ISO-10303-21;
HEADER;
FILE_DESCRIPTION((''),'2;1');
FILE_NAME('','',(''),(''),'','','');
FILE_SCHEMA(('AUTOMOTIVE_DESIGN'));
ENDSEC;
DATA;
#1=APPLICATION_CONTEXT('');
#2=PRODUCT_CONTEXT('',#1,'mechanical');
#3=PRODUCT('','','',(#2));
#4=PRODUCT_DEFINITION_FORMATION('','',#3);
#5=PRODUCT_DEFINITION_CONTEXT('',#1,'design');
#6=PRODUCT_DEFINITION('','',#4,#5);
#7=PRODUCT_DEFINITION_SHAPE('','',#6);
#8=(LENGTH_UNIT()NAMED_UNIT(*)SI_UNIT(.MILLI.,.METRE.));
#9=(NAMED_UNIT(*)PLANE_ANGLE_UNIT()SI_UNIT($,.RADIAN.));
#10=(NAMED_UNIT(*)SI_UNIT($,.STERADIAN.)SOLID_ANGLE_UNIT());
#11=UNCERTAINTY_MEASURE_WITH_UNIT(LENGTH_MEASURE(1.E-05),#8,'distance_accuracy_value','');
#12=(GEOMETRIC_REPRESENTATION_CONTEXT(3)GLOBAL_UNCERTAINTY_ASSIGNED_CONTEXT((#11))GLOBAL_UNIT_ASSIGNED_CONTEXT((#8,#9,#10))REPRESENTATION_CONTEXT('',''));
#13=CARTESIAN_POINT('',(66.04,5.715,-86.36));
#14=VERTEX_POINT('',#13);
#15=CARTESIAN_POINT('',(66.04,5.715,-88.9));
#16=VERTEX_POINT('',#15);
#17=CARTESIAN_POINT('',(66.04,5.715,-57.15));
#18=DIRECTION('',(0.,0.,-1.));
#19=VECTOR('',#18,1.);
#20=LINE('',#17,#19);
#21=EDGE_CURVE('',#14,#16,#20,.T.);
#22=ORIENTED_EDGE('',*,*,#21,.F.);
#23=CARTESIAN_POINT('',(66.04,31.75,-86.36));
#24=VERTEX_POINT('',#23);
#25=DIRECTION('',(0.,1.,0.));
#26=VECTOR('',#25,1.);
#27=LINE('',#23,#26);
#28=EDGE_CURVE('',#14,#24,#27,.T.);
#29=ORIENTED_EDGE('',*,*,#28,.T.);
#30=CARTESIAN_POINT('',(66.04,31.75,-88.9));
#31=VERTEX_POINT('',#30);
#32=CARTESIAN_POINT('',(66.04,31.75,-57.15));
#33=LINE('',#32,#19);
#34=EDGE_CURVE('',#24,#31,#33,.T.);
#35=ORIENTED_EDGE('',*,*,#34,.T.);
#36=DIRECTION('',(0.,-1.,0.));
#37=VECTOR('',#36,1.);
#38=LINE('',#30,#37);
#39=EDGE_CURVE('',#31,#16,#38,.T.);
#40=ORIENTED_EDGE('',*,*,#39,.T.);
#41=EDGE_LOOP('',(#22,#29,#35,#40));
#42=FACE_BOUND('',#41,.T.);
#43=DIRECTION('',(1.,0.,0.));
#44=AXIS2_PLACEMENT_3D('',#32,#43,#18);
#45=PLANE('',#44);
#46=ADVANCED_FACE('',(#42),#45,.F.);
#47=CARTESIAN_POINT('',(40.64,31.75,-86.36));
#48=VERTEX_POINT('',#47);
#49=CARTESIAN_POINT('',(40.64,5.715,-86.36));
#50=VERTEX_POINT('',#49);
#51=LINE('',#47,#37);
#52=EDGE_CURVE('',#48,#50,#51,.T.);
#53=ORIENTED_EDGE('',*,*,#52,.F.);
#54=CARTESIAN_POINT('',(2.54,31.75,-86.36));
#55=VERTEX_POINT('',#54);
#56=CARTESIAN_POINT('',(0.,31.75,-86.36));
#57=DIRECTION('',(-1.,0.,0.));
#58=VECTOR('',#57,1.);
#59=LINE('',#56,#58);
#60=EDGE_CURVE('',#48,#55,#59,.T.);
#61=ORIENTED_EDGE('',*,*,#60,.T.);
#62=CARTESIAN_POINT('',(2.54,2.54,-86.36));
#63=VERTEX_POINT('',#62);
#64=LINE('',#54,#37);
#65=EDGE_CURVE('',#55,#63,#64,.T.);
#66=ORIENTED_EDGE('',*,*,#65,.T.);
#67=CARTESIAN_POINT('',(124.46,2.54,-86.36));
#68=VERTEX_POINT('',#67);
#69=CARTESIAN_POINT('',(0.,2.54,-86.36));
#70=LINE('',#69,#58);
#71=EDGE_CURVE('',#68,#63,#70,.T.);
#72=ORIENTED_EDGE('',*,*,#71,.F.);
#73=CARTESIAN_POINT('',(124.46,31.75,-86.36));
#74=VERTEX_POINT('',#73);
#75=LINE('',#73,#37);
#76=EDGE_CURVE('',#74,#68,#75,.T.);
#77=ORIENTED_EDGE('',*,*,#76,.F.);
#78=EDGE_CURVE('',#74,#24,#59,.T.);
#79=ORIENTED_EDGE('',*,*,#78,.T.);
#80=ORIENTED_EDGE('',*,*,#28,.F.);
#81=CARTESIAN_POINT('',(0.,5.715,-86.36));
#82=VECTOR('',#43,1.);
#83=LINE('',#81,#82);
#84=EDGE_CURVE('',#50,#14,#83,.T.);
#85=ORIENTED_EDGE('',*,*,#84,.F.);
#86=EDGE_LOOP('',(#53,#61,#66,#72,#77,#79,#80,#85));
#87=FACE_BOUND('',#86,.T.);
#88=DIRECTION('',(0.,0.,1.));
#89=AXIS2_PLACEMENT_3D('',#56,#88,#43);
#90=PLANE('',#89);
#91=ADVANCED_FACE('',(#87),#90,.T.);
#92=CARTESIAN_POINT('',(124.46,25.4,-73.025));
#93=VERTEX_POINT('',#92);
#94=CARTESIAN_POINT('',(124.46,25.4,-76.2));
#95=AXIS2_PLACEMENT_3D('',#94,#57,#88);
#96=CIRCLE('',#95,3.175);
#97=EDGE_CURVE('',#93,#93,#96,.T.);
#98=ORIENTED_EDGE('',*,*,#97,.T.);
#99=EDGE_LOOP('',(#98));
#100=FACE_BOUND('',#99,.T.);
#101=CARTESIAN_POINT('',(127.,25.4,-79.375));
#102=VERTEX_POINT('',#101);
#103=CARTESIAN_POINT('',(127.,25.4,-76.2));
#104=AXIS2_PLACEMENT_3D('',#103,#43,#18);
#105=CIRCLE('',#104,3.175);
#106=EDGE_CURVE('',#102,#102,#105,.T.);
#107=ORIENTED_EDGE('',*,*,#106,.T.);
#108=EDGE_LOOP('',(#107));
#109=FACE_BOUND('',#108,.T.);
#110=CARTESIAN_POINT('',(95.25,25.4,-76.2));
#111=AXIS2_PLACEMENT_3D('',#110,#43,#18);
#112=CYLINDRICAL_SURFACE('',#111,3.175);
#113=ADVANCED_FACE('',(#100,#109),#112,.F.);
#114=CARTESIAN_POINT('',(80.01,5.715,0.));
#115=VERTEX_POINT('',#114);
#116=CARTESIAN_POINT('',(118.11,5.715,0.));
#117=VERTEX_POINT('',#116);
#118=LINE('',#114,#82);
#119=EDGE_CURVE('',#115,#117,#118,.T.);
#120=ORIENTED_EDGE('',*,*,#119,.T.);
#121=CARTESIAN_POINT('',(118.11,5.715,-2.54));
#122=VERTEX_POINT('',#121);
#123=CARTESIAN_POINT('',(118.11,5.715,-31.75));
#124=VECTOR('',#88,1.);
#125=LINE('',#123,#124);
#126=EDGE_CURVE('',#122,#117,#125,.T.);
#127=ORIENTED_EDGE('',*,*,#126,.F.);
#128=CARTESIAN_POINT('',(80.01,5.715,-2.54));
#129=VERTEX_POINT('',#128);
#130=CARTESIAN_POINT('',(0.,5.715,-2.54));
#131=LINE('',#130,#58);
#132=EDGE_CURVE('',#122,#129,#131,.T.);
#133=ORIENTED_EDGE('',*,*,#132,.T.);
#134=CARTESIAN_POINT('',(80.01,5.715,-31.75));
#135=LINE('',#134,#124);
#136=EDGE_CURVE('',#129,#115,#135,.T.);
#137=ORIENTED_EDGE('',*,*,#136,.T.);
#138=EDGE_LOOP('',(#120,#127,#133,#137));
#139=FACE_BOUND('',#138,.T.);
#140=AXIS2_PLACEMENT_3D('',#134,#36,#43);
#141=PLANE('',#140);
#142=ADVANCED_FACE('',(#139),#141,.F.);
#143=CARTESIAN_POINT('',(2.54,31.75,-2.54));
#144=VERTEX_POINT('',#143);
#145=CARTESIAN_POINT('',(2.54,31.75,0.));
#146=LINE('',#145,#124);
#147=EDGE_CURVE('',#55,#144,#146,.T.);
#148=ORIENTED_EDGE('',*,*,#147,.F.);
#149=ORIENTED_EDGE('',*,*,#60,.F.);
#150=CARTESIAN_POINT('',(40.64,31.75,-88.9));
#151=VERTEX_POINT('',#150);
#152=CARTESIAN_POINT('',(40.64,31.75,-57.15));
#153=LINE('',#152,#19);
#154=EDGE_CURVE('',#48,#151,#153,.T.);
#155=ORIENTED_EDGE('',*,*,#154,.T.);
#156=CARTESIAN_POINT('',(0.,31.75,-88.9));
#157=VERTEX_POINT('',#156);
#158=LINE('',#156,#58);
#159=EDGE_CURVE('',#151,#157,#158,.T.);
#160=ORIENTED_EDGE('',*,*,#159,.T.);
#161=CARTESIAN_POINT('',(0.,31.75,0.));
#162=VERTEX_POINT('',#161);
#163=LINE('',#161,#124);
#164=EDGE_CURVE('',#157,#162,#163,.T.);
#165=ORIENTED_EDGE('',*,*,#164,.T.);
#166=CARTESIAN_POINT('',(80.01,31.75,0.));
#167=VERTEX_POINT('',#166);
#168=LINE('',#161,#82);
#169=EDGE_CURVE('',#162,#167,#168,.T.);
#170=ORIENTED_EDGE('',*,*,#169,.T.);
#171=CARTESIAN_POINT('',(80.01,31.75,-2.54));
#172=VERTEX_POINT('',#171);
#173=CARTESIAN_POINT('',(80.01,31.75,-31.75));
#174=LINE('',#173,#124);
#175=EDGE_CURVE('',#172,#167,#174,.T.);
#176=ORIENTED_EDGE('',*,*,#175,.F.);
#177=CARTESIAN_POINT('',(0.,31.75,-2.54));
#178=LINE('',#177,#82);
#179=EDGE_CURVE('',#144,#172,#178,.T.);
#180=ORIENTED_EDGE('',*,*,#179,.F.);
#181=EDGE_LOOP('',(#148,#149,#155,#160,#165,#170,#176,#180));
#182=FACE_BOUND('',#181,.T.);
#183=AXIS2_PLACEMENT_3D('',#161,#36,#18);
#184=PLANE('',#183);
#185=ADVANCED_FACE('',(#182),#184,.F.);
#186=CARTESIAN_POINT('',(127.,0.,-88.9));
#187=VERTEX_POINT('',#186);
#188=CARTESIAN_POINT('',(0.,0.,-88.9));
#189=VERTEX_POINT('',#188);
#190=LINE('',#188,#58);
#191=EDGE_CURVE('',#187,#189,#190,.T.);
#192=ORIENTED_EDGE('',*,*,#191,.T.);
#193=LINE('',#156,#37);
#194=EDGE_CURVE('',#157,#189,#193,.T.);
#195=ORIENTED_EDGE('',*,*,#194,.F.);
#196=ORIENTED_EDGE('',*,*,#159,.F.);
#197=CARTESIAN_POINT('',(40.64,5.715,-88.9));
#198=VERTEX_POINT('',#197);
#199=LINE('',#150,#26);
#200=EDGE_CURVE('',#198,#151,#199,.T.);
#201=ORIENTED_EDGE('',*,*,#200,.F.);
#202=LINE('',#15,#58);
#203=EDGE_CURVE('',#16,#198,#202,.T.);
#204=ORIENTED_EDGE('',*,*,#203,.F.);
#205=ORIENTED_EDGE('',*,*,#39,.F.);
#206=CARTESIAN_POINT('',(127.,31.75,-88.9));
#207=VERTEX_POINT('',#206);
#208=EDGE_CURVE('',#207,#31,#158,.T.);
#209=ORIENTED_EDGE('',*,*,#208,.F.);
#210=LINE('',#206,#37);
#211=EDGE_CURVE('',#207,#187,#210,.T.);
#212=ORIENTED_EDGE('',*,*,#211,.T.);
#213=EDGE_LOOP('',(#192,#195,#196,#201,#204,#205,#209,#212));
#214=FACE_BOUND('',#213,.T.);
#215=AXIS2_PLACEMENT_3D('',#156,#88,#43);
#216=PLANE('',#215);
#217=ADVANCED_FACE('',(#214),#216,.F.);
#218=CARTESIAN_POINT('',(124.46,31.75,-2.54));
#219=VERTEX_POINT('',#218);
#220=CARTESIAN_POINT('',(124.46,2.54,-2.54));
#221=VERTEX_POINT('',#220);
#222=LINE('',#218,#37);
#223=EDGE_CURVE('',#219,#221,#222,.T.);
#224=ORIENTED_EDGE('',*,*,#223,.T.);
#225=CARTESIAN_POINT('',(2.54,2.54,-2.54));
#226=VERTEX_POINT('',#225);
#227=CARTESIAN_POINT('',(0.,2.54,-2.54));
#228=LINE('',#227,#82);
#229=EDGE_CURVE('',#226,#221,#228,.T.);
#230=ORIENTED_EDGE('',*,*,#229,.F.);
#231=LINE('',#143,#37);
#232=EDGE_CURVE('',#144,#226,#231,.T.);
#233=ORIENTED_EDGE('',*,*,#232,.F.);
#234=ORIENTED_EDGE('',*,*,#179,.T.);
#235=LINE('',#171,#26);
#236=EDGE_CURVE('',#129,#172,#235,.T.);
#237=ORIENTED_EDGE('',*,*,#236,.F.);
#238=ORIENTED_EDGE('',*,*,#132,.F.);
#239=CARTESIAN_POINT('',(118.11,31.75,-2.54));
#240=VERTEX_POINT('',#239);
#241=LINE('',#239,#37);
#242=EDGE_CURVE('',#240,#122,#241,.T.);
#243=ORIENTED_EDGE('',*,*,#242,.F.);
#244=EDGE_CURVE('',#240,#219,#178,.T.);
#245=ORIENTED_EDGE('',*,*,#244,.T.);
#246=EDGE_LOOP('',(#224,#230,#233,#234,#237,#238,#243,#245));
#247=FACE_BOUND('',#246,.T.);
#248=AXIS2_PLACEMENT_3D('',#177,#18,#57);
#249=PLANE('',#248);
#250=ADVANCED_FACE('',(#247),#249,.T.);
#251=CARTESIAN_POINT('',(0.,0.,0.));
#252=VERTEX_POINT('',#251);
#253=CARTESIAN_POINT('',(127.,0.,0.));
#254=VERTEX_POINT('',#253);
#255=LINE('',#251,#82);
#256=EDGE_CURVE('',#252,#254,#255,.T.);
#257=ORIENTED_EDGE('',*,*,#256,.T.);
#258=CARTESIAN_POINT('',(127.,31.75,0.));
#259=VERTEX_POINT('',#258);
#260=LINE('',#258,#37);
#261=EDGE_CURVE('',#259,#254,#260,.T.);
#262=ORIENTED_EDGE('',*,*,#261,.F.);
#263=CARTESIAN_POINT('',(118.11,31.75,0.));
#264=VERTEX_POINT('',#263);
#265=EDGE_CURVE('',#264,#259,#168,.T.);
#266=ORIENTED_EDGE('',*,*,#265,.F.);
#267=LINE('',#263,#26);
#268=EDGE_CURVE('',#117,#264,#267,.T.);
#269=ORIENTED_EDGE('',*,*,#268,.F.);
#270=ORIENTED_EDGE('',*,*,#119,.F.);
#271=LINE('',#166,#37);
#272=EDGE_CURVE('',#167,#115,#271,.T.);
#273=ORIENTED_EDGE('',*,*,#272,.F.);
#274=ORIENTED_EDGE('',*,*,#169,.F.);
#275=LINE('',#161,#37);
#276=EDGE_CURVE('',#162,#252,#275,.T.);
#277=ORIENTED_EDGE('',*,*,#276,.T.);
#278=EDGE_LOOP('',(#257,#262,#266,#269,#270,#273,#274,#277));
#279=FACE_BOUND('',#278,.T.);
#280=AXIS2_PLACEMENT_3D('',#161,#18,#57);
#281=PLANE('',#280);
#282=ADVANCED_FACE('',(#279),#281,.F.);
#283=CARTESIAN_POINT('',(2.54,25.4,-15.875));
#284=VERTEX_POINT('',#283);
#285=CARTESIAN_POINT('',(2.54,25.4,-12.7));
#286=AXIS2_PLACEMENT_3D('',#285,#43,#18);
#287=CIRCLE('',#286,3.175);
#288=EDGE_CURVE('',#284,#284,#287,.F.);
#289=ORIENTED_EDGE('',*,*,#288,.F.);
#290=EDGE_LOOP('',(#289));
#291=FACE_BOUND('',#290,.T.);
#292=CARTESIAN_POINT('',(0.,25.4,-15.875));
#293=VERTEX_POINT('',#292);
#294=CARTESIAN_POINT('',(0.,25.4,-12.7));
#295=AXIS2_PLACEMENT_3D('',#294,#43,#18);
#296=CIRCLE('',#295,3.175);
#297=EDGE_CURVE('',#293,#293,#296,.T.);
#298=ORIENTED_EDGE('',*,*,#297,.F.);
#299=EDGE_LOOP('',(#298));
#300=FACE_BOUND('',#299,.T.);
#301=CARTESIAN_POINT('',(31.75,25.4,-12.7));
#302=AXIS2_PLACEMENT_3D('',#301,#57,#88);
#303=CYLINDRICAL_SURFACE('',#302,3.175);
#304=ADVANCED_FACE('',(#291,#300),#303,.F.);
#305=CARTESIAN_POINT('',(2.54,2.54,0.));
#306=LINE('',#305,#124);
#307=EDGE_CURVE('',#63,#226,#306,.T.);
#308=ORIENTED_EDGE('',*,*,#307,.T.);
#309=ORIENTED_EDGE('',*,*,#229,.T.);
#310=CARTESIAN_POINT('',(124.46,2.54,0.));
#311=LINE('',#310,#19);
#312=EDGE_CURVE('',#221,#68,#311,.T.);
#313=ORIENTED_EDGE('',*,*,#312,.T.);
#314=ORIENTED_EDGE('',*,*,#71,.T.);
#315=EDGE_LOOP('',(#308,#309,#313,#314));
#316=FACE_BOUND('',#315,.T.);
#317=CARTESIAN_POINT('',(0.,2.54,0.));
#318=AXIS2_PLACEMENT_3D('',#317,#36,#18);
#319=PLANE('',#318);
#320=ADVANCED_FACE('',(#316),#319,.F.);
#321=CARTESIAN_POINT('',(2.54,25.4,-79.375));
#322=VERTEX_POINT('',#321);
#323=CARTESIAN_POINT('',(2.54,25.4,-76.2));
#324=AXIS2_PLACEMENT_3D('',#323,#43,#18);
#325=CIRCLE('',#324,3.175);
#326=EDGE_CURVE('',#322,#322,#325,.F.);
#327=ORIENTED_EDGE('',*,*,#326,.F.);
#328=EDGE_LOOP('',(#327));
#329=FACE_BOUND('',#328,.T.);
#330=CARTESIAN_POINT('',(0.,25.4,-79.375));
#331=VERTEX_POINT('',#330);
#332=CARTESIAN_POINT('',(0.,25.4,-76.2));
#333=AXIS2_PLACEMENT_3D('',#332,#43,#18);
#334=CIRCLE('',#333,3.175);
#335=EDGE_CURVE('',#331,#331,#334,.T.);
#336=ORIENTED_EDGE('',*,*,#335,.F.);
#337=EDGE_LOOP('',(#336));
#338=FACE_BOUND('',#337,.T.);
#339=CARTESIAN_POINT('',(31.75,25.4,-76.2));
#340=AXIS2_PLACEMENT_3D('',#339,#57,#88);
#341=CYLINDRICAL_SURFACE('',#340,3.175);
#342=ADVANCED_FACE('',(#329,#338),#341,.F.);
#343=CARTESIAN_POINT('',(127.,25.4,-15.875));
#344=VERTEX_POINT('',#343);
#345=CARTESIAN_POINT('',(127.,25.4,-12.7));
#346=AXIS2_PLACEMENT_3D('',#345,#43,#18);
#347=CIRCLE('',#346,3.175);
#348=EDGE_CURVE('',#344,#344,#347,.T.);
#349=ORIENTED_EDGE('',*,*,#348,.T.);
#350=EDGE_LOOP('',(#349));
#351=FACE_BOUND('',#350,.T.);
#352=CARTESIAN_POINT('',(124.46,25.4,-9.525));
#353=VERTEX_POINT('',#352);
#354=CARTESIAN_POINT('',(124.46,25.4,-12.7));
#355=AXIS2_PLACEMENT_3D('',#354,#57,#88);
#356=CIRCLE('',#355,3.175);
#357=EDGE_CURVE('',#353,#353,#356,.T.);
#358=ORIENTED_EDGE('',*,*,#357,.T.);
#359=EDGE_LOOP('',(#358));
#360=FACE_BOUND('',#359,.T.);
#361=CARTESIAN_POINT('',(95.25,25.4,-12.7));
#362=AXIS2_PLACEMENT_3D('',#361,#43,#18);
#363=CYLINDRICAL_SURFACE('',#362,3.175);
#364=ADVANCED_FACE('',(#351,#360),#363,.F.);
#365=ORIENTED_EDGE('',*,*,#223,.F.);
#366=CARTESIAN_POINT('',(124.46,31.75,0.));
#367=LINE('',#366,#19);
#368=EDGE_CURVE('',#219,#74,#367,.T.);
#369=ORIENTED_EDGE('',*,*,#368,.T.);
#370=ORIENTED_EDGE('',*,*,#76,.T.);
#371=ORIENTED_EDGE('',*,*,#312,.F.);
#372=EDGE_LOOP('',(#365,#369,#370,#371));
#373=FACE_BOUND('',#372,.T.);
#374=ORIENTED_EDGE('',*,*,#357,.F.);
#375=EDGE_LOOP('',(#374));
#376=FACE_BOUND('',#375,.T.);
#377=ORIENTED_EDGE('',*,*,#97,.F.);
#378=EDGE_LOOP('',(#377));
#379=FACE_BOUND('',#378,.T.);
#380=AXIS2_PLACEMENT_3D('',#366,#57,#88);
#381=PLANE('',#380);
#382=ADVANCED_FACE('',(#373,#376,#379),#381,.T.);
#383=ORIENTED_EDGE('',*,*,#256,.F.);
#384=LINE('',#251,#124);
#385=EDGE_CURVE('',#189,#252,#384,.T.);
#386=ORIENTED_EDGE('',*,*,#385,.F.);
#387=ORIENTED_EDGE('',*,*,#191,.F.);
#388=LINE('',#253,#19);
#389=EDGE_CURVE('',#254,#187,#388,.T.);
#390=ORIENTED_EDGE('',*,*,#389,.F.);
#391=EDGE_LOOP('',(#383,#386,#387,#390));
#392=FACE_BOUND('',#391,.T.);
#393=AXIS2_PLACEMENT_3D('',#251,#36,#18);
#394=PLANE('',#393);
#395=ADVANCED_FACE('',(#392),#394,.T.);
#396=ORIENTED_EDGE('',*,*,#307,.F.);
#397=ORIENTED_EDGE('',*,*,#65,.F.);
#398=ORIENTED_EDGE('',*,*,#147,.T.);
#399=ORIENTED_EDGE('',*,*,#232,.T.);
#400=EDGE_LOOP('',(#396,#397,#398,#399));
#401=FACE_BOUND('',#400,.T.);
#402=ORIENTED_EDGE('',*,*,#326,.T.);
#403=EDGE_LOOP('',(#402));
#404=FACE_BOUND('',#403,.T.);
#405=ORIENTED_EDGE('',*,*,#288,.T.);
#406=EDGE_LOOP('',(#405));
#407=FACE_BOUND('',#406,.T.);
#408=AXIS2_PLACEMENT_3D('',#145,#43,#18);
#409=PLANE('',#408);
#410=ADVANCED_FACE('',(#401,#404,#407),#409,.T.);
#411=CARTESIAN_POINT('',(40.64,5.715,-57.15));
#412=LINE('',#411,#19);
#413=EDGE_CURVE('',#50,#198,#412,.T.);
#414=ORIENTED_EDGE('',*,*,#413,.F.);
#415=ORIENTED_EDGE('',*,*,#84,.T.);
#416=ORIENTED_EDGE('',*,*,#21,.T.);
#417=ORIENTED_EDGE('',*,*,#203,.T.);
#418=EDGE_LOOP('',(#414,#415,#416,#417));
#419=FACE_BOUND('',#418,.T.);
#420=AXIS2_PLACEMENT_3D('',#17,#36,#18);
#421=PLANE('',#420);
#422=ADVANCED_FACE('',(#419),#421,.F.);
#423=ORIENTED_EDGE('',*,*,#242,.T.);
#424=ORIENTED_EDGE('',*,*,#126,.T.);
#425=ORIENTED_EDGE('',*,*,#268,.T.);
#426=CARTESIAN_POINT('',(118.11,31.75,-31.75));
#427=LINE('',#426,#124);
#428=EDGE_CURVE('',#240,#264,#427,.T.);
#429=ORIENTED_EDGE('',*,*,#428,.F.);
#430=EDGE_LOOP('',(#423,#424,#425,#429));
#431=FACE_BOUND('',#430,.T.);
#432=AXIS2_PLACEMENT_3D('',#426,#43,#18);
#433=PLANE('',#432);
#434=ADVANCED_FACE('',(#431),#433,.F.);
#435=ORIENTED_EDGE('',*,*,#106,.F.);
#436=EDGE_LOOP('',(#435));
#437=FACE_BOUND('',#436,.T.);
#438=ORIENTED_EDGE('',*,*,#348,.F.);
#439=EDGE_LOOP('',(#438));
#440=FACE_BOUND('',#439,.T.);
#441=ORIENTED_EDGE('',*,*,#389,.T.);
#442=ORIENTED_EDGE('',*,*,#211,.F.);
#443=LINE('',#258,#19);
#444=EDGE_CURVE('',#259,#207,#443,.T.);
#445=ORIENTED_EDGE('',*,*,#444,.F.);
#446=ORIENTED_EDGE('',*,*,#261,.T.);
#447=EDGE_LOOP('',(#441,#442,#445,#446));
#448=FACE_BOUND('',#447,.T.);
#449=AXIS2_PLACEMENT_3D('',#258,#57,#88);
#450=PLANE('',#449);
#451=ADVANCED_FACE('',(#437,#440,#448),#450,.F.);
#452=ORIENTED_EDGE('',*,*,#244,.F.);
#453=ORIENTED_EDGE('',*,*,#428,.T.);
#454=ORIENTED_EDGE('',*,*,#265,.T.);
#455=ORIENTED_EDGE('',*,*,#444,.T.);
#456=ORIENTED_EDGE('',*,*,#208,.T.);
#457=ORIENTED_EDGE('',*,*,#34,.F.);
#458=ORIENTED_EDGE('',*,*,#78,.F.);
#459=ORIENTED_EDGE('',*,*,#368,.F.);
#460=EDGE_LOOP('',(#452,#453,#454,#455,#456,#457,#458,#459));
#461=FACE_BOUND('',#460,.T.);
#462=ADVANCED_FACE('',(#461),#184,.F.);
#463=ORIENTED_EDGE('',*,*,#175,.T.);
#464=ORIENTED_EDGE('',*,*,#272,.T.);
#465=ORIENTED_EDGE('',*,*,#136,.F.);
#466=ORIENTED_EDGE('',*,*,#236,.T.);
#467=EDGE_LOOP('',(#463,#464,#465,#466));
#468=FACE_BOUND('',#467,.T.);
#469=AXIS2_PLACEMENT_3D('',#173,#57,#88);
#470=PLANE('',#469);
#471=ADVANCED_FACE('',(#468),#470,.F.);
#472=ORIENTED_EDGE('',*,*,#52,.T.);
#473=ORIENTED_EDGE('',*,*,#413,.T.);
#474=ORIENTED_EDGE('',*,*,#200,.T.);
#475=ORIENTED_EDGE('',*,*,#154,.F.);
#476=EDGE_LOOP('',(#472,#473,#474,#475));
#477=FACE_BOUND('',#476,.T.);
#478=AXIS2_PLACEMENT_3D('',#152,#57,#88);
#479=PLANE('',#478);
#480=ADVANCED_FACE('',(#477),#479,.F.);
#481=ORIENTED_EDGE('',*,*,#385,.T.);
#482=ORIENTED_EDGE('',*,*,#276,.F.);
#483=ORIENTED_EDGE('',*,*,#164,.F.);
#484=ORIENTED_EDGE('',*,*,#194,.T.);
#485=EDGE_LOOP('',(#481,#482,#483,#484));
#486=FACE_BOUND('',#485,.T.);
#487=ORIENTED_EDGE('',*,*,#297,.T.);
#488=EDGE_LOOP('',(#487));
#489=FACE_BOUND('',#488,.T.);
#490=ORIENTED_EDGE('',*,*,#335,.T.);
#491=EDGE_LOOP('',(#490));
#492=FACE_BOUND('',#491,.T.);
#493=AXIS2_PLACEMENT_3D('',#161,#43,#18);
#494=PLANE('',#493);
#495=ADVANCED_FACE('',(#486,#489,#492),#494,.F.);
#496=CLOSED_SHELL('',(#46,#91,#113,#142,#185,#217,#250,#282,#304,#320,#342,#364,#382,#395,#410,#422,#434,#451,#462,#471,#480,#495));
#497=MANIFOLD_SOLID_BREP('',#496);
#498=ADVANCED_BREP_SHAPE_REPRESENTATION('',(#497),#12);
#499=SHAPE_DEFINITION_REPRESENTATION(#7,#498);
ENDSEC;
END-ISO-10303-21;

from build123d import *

# Parameters (mm, degrees)
SKETCH1_W           = 127
SKETCH1_H           = 88.9
BOSS_EXTRUDE1_DEPTH = 31.75
SHELL1_T            = -2.54
SKETCH3_R           = 3.175
CUT_EXTRUDE2_DEPTH  = 31.75
SKETCH4_W           = 38.1
SKETCH4_H           = 26.035
CUT_EXTRUDE3_DEPTH  = 31.75
SKETCH5_W           = 25.4
SKETCH5_H           = 26.035
CUT_EXTRUDE4_DEPTH  = 31.75


with BuildPart() as part:
    # Sketch1 → Boss-Extrude1 (new body)
    with BuildSketch(Plane(origin=(0, 0, 0), x_dir=(1, 0, 0), z_dir=(0, 1, 0))):
        with Locations((63.5, 44.45)):
            Rectangle(SKETCH1_W, SKETCH1_H)
    extrude(amount=BOSS_EXTRUDE1_DEPTH)

    # Shell1
    shell1_openings = [part.faces().sort_by_distance(p)[0] for p in [
        (63.5, 31.75, -44.45),
    ]]
    offset(amount=SHELL1_T, openings=shell1_openings, kind=Kind.INTERSECTION)

    # Sketch3 → Cut-Extrude2 (cut)
    with BuildSketch(Plane(origin=(127, 0, 0), x_dir=(0, 0, -1), z_dir=(1, 0, 0))):
        with Locations((12.7, 25.4)):
            Circle(SKETCH3_R)
        with Locations((76.2, 25.4)):
            Circle(SKETCH3_R)
    cut_extrude2 = extrude(amount=-CUT_EXTRUDE2_DEPTH, mode=Mode.SUBTRACT)

    # Mirror2: Cut-Extrude2 across plane
    add(cut_extrude2.mirror(Plane(origin=(63.5, 0, 0), x_dir=(0, 0, 1), z_dir=(1, 0, 0))), mode=Mode.SUBTRACT)

    # Sketch4 → Cut-Extrude3 (cut)
    with BuildSketch(Plane.XY):
        with Locations((99.06, 18.7325)):
            Rectangle(SKETCH4_W, SKETCH4_H)
    extrude(amount=-CUT_EXTRUDE3_DEPTH, mode=Mode.SUBTRACT)

    # Sketch5 → Cut-Extrude4 (cut)
    with BuildSketch(Plane(origin=(0, 0, -88.9), x_dir=(-1, 0, 0), z_dir=(0, 0, -1))):
        with Locations((-53.34, 18.7325)):
            Rectangle(SKETCH5_W, SKETCH5_H)
    extrude(amount=-CUT_EXTRUDE4_DEPTH, mode=Mode.SUBTRACT)


solid = part.part
